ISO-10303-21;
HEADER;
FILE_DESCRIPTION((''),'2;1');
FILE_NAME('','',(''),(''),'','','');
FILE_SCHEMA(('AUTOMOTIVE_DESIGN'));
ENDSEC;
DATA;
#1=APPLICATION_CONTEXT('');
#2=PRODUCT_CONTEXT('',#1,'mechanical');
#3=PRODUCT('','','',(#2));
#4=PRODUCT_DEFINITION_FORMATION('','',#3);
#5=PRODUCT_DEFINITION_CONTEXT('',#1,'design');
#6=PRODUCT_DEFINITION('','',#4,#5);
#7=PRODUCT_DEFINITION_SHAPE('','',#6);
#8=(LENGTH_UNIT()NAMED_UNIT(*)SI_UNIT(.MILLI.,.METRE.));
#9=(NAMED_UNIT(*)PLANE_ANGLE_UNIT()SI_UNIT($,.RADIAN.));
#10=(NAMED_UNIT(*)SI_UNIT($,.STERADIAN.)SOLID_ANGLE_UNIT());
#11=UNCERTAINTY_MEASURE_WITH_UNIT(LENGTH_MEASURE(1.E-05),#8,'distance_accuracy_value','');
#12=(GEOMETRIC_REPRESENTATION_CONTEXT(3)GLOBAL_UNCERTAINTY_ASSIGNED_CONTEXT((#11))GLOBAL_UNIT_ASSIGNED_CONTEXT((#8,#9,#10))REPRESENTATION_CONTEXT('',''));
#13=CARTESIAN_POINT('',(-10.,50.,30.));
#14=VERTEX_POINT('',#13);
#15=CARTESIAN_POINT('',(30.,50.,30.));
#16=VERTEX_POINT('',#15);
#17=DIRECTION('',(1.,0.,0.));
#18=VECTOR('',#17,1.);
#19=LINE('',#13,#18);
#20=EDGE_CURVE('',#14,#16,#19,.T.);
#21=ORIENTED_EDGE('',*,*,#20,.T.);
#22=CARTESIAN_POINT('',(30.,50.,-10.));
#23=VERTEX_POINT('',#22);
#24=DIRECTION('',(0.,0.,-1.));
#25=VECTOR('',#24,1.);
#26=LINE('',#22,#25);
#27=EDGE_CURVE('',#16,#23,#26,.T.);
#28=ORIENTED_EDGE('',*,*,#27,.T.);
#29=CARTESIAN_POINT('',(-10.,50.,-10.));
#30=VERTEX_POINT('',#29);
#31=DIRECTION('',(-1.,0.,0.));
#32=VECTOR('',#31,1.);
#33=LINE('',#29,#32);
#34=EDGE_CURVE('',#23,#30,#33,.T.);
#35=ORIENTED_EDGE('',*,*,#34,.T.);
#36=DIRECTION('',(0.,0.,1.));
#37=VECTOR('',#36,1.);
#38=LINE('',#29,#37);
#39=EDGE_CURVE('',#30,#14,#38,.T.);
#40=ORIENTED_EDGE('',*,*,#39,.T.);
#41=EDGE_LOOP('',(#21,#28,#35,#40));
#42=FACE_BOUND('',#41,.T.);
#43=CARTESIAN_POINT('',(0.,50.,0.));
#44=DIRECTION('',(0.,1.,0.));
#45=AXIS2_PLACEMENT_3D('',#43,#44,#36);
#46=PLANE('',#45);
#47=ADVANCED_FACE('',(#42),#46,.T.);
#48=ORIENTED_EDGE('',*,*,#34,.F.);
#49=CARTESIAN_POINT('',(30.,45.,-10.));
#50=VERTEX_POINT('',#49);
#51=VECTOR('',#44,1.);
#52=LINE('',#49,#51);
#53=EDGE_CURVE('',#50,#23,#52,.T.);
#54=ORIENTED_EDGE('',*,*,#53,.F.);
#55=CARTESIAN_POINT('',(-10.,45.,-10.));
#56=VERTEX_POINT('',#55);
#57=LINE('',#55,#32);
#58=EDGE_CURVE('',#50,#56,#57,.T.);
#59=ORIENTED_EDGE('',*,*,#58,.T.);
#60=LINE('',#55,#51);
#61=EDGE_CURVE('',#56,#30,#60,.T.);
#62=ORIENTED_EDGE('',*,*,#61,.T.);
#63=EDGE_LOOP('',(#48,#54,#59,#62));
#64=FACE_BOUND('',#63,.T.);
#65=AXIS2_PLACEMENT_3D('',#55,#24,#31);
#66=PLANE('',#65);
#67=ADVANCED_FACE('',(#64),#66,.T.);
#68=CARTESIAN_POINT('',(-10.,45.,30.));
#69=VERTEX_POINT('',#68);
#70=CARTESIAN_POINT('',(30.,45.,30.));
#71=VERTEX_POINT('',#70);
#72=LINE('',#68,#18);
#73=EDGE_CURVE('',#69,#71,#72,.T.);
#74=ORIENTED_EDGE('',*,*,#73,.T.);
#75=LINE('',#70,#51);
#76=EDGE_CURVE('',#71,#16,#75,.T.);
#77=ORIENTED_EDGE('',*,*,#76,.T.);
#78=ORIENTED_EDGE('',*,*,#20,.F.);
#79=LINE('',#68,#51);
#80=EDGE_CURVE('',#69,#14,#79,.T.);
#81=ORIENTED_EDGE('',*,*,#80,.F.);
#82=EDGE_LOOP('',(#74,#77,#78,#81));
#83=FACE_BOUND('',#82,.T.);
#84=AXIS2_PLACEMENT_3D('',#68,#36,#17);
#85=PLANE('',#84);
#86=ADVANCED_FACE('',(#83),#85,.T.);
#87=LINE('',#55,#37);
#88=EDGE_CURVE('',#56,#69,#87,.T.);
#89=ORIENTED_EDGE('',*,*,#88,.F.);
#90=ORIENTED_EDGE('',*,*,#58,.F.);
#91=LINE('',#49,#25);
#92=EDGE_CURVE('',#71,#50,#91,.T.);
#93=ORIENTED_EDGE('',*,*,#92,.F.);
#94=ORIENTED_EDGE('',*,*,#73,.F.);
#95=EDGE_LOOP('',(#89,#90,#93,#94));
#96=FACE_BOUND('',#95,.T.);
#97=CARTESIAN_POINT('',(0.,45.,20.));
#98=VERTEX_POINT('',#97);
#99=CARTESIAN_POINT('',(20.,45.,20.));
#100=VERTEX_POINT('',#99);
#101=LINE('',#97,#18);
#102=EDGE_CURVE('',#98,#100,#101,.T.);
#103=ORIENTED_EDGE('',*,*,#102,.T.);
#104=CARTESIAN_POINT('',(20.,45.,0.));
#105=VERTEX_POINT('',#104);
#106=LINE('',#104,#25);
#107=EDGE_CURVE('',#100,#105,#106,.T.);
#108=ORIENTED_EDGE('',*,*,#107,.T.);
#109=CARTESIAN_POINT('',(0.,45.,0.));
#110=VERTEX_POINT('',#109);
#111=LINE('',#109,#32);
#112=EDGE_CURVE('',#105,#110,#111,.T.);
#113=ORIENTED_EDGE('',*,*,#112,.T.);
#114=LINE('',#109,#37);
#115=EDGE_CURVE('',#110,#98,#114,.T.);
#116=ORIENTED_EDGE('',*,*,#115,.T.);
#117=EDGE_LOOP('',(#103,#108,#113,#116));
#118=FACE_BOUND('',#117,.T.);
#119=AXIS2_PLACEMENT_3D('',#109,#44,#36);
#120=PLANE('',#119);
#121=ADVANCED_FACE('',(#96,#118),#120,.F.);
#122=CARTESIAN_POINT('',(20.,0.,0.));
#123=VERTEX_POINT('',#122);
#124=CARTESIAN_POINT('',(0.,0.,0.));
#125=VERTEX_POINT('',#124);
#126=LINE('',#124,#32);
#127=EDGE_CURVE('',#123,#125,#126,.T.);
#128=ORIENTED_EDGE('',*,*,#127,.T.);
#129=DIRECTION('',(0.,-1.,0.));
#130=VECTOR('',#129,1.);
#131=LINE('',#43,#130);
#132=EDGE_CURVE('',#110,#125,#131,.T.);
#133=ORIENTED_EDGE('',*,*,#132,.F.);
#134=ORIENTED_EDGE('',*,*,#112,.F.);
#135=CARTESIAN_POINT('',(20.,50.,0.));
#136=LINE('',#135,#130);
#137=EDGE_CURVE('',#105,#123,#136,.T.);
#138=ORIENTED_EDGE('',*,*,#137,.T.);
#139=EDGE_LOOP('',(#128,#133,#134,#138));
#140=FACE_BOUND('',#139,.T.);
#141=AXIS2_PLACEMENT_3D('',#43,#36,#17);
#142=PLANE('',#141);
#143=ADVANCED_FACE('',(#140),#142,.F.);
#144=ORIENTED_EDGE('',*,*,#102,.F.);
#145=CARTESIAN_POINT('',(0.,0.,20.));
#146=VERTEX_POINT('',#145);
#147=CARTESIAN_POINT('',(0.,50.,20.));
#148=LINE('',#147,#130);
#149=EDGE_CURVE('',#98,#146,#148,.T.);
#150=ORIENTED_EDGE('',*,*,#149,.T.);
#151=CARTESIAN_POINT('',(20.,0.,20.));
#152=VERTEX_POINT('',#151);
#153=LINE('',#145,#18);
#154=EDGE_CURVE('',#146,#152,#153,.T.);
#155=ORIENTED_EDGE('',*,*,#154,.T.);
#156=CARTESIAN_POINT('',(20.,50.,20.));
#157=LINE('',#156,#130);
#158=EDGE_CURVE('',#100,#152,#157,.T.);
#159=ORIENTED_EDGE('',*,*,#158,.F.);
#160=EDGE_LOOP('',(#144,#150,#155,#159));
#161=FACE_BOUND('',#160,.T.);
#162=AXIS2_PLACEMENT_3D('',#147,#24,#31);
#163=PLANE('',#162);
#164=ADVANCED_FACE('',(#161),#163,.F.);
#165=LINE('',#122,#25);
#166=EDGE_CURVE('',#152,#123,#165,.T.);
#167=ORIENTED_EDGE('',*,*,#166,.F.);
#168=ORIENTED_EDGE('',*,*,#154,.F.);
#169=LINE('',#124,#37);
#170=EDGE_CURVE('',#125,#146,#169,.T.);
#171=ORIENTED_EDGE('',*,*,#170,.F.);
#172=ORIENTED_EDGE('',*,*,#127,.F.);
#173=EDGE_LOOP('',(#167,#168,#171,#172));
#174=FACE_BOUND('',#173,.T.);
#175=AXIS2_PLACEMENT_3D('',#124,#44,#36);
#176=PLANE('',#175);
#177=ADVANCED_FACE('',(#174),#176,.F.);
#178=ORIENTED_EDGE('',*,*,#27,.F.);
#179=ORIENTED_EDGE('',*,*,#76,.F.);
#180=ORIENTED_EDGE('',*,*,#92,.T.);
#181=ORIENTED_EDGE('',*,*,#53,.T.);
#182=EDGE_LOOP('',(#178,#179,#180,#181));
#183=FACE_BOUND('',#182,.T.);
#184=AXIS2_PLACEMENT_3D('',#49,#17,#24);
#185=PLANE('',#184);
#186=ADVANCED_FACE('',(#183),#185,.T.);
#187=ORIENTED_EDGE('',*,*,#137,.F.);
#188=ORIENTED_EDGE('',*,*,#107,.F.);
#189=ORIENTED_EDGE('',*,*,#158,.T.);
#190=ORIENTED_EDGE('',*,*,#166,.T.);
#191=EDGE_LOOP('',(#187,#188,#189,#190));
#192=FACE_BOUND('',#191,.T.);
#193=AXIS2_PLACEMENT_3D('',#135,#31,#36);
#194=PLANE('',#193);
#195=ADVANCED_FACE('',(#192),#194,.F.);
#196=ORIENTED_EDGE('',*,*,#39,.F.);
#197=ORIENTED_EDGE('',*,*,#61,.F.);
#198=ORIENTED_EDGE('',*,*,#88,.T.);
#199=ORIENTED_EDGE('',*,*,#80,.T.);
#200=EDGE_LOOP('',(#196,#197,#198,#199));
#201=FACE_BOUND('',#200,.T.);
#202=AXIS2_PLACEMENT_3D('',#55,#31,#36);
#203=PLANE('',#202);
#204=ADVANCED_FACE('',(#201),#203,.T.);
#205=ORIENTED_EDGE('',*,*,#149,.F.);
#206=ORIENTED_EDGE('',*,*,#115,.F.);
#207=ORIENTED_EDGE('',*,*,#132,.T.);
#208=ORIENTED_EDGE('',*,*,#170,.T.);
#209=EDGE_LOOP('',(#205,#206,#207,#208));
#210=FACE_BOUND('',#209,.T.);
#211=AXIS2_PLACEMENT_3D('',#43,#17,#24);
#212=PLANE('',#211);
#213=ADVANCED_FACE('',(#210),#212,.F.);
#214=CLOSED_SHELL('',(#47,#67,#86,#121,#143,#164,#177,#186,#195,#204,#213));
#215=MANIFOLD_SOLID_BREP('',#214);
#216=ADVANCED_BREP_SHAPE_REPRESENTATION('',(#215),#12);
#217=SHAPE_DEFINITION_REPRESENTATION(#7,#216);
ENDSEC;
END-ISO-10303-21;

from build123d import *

# Parameters (mm, degrees)
SKETCH1_W           = 20
SKETCH1_H           = 20
BOSS_EXTRUDE1_DEPTH = 50
SKETCH2_W           = 40
SKETCH2_H           = 40
BOSS_EXTRUDE2_DEPTH = 5


with BuildPart() as part:
    # Sketch1 → Boss-Extrude1 (new body)
    with BuildSketch(Plane(origin=(0, 0, 0), x_dir=(1, 0, 0), z_dir=(0, 1, 0))):
        with Locations((10, -10)):
            Rectangle(SKETCH1_W, SKETCH1_H)
    extrude(amount=BOSS_EXTRUDE1_DEPTH)

    # Sketch2 → Boss-Extrude2 (add)
    with BuildSketch(Plane(origin=(0, 50, 0), x_dir=(1, 0, 0), z_dir=(0, 1, 0))):
        with Locations((10, -10)):
            Rectangle(SKETCH2_W, SKETCH2_H)
    extrude(amount=-BOSS_EXTRUDE2_DEPTH)


solid = part.part
